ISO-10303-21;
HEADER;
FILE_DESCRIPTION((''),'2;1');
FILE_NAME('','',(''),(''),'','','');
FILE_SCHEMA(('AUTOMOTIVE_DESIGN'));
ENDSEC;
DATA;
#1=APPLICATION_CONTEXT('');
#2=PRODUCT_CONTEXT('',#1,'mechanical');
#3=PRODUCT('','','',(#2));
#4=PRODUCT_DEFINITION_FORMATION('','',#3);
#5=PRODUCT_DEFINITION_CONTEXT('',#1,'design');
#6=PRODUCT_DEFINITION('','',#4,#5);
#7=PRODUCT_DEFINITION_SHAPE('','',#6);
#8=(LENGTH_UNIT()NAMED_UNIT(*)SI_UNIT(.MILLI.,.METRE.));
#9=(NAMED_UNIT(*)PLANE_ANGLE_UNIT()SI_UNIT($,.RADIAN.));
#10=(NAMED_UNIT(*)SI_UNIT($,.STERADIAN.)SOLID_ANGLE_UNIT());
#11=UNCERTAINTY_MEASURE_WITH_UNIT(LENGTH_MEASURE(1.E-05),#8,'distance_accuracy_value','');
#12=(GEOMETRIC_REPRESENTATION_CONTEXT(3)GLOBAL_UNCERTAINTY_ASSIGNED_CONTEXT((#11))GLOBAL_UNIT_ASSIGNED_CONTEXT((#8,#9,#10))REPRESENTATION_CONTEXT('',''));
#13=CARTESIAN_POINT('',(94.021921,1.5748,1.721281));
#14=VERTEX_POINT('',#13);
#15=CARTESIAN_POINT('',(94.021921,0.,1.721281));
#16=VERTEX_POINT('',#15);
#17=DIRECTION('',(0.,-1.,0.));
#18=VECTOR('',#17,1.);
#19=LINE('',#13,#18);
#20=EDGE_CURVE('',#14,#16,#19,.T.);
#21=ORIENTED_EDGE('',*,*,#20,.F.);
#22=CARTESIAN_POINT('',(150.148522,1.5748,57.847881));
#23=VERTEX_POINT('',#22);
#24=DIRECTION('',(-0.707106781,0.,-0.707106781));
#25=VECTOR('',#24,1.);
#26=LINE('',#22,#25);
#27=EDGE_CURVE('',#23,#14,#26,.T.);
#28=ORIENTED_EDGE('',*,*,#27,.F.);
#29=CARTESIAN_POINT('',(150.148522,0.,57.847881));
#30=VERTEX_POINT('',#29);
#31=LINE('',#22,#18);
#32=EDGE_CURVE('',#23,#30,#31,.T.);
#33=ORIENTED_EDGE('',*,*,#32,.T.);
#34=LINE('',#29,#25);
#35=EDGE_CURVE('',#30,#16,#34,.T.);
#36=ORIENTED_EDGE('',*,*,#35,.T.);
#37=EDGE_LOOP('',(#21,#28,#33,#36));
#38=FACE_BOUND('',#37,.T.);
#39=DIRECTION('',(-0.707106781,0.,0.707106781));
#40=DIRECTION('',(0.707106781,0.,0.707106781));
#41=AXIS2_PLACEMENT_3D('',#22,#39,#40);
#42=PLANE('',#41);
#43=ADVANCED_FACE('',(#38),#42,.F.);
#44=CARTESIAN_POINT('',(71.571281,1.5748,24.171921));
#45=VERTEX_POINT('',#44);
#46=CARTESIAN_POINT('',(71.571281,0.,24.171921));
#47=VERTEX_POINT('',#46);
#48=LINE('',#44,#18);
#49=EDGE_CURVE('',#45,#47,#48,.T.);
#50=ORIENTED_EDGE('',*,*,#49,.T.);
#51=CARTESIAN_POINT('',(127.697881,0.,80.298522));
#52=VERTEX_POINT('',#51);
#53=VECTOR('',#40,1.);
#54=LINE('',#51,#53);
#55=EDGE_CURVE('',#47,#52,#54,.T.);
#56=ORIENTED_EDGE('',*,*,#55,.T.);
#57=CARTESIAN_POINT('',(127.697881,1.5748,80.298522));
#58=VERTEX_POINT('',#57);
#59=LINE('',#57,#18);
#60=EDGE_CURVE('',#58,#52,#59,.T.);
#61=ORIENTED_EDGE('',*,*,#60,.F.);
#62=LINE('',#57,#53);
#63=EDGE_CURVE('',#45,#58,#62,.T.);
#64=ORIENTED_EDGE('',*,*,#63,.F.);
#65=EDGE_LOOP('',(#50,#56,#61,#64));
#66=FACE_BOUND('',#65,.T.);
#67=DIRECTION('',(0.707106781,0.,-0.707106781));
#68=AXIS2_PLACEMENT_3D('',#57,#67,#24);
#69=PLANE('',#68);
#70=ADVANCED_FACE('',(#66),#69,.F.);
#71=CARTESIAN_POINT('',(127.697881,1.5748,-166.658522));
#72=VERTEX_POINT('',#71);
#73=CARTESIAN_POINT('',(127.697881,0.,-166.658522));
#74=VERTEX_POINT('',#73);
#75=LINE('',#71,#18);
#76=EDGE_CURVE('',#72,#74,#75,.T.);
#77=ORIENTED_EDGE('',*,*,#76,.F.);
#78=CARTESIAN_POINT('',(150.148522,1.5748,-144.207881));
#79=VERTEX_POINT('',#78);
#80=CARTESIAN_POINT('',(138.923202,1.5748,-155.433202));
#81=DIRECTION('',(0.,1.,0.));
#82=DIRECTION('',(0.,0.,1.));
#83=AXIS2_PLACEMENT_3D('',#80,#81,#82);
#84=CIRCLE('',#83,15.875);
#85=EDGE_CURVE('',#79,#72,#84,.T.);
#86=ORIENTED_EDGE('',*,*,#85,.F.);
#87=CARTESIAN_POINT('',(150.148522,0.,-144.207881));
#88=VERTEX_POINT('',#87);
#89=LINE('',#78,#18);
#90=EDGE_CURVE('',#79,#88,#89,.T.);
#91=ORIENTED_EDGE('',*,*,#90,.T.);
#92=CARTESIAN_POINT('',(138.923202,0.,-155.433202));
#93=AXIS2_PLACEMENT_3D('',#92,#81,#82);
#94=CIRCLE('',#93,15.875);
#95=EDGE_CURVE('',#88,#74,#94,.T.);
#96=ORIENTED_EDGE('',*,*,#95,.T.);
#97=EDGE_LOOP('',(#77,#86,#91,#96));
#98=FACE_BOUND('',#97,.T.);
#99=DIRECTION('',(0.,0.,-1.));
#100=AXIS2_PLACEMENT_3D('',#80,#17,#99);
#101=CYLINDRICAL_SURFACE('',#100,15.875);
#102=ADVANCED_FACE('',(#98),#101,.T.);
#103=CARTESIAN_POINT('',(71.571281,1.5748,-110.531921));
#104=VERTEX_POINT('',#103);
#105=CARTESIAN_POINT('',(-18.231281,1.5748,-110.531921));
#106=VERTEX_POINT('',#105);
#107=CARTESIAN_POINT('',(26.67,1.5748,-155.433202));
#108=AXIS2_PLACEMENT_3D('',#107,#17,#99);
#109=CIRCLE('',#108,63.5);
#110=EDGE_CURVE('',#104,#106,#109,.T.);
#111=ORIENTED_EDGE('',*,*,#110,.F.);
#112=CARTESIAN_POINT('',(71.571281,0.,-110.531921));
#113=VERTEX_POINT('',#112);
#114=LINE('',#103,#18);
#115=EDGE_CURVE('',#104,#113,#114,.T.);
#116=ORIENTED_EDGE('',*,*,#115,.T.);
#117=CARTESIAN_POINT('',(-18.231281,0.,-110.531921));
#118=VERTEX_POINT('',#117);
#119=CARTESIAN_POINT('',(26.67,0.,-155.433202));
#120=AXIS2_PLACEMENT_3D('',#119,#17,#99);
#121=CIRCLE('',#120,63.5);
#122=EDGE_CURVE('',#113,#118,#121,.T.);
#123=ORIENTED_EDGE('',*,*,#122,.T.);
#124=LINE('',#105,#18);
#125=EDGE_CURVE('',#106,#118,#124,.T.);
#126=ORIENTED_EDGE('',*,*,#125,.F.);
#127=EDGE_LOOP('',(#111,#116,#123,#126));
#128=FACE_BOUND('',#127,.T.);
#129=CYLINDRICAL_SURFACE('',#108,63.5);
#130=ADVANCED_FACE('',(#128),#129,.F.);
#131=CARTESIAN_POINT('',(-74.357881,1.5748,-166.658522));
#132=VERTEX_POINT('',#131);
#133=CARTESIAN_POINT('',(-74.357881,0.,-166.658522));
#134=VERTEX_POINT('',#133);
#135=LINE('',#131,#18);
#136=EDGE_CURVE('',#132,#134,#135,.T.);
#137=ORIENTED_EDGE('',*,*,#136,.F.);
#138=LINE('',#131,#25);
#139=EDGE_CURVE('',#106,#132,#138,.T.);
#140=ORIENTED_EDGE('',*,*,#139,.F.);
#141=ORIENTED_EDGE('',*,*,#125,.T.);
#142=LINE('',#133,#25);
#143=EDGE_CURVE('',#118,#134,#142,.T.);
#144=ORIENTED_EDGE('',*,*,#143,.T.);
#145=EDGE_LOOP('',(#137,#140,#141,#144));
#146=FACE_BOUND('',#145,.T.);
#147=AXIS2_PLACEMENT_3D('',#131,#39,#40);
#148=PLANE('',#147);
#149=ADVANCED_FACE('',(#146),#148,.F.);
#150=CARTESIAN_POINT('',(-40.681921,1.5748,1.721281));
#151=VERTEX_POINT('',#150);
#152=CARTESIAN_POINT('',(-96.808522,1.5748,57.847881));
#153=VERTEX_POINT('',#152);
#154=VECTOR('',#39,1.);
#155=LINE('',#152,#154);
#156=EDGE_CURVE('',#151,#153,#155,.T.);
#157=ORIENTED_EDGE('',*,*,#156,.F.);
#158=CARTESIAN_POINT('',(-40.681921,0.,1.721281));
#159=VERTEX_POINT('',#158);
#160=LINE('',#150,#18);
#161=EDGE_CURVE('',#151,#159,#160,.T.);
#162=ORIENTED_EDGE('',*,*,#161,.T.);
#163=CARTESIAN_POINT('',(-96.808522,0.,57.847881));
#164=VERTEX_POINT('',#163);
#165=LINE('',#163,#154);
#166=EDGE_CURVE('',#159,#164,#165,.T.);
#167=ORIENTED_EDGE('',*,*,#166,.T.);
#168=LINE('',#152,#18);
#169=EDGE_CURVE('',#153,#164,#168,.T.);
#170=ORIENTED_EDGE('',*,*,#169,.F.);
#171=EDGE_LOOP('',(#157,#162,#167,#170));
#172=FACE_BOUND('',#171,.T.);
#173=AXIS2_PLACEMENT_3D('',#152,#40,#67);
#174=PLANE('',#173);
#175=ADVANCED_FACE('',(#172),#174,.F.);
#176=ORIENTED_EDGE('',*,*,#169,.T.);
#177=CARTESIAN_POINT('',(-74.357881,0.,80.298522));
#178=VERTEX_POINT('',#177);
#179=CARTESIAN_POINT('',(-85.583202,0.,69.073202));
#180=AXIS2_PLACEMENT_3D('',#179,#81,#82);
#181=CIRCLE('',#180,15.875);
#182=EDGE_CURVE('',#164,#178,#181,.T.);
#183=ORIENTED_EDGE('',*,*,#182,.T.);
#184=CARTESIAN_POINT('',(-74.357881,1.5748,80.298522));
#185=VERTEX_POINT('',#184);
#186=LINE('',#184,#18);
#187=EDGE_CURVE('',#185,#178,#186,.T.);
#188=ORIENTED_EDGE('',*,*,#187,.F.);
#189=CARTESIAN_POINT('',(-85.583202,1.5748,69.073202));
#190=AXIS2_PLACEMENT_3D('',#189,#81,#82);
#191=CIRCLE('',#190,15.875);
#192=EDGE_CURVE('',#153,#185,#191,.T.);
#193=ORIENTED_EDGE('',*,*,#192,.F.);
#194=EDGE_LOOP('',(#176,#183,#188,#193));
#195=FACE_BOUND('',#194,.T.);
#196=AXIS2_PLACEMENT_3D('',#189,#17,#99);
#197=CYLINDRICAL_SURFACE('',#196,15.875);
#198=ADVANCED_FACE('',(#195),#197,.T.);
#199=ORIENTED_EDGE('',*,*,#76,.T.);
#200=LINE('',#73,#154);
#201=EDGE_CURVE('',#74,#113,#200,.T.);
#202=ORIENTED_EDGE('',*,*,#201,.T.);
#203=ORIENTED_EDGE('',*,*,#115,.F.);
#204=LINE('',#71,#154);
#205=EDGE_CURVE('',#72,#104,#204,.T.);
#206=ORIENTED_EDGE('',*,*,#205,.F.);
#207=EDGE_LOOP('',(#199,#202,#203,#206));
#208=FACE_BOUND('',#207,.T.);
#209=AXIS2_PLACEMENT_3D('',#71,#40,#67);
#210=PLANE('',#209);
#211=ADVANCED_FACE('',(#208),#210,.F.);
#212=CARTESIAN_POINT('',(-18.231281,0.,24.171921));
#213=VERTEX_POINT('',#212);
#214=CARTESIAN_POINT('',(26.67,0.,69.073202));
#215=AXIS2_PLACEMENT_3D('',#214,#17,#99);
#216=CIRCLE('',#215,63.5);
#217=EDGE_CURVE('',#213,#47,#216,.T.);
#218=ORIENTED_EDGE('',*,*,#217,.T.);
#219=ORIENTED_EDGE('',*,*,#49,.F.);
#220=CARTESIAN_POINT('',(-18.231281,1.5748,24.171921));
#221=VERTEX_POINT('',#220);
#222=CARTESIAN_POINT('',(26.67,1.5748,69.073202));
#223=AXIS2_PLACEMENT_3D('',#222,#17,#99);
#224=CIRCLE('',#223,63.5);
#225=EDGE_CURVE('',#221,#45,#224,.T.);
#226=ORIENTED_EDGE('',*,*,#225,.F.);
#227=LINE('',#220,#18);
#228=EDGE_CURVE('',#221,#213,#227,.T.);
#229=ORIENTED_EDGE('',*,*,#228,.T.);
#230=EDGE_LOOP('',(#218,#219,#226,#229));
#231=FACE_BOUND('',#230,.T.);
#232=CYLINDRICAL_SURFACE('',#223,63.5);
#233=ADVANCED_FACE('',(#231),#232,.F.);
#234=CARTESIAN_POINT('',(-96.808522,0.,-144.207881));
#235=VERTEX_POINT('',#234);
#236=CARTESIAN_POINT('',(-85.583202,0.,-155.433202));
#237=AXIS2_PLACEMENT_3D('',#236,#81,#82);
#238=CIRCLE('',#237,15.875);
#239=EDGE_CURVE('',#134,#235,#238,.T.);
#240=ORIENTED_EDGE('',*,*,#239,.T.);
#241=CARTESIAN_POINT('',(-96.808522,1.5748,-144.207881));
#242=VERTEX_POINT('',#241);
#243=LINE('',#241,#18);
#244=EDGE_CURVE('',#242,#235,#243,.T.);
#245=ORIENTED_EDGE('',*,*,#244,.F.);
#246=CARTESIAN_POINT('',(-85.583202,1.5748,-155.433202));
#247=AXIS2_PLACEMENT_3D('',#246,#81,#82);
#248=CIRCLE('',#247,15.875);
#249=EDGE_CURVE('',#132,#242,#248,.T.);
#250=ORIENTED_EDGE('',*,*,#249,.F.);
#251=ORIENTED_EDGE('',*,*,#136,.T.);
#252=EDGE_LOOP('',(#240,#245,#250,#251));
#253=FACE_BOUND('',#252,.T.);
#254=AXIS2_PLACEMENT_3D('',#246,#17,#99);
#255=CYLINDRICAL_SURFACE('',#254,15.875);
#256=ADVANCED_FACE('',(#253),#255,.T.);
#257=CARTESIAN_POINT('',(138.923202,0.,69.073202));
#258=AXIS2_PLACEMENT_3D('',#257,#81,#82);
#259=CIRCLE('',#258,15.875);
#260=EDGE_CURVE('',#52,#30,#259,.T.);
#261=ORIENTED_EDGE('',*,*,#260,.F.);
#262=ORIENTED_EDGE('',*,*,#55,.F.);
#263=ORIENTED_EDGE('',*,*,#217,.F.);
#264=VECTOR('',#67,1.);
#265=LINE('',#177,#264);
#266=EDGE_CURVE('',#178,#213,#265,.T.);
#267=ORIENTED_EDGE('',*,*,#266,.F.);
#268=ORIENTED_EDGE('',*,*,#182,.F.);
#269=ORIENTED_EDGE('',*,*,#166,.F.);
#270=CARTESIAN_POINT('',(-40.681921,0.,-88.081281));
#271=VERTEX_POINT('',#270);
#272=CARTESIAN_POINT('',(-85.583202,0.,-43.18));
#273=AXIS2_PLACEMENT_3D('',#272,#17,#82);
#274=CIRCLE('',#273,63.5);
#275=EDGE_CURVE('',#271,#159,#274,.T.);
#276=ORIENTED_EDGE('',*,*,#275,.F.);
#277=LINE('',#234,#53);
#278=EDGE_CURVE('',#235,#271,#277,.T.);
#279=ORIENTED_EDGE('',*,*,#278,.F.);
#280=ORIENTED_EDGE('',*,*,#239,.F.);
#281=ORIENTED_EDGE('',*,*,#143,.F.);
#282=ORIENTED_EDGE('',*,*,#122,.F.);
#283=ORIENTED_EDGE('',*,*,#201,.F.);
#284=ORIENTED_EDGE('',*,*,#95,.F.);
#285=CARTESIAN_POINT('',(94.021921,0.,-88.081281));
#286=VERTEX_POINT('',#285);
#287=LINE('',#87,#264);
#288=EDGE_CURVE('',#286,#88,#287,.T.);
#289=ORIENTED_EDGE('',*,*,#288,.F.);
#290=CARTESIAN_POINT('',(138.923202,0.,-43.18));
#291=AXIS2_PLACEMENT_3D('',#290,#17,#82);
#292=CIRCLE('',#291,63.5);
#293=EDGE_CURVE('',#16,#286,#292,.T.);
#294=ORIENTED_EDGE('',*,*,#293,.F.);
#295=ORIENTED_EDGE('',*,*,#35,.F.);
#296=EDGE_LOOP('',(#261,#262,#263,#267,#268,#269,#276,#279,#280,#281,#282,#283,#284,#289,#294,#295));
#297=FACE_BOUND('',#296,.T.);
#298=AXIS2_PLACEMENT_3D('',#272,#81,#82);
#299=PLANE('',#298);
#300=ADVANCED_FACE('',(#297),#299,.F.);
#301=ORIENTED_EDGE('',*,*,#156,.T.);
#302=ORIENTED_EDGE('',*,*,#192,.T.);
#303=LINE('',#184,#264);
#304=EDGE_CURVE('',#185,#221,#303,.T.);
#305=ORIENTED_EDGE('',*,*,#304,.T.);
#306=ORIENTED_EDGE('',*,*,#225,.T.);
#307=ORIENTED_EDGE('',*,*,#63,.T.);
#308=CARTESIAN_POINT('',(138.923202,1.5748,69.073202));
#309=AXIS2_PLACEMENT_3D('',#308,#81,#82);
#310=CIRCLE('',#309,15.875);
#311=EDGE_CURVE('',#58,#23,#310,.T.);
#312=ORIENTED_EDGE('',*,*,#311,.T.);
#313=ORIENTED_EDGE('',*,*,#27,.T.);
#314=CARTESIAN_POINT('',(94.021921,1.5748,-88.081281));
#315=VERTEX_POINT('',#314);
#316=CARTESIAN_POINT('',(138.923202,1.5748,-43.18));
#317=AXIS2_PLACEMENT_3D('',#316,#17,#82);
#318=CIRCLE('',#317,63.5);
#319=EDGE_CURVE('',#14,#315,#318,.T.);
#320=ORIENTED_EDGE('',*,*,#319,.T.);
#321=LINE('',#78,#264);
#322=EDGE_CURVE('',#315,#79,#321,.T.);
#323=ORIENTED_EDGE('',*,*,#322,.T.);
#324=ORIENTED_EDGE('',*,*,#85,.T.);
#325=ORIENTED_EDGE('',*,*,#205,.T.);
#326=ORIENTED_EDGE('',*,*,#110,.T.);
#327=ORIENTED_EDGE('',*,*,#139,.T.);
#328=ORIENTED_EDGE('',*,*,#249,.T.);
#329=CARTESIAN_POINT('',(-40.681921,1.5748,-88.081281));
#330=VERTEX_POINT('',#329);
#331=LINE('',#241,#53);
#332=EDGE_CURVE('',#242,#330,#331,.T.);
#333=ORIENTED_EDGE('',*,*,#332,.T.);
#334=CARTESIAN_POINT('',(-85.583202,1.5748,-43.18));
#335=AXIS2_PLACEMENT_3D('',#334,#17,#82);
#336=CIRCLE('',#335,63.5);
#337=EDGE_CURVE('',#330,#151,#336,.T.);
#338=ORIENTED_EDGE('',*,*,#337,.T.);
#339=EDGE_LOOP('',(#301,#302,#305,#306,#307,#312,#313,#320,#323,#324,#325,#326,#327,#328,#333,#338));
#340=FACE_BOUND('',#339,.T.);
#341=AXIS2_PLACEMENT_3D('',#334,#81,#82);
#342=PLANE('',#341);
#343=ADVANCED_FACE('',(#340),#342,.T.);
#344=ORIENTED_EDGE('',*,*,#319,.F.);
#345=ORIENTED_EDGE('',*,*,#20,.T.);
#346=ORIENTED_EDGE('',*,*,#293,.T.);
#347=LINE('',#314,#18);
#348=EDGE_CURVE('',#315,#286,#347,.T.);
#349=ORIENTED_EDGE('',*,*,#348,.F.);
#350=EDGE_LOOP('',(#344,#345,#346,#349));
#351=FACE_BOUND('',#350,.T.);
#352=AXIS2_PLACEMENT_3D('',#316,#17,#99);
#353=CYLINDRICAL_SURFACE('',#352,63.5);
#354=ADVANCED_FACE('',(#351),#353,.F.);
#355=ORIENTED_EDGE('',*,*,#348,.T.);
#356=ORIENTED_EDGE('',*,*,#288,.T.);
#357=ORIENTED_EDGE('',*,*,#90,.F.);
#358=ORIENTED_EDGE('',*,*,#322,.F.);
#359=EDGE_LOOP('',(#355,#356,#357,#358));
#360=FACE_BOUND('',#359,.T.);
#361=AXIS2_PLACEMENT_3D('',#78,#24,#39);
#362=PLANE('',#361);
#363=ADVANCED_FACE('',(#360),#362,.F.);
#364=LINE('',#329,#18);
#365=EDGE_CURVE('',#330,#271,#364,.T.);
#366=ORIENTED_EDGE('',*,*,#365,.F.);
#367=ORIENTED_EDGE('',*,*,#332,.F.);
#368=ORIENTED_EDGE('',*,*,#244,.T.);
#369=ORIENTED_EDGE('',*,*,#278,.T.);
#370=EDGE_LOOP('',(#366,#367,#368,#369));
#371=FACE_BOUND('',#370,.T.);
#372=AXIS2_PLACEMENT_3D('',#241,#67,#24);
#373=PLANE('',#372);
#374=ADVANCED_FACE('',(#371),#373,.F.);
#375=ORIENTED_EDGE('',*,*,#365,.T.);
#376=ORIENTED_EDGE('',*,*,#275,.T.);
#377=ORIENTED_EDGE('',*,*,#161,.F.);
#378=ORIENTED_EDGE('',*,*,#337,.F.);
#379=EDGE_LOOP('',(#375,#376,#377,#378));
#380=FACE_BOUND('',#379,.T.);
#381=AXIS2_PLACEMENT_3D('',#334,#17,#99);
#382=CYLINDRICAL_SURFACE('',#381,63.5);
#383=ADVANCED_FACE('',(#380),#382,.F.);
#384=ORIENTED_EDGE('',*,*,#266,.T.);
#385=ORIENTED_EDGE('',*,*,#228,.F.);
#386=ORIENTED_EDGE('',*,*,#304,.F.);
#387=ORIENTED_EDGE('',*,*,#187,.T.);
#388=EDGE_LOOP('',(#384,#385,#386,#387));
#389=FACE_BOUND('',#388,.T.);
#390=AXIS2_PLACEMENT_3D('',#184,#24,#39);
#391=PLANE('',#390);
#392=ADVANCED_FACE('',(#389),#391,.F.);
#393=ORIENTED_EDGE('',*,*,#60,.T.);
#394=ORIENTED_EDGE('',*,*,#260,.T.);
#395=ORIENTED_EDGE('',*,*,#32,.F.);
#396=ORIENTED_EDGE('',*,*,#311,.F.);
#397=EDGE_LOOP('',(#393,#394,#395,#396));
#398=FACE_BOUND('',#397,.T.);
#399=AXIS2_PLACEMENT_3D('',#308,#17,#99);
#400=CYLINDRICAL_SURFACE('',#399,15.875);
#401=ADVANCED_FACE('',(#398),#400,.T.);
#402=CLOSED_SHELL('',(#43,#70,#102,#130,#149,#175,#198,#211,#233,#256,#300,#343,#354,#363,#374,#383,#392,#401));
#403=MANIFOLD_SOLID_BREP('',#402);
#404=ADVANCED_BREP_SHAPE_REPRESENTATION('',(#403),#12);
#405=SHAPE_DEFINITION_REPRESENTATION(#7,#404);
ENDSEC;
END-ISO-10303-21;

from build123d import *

# Parameters (mm, degrees)
BOSS_EXTRUDE1_DEPTH = 1.5748


with BuildPart() as part:
    # Sketch1 → Boss-Extrude1 (new body)
    with BuildSketch(Plane(origin=(0, 0, 0), x_dir=(1, 0, 0), z_dir=(0, 1, 0))):
        with BuildLine():
            Line((-96.808521665, 144.207881362), (-40.681920908, 88.081280605))
            ThreePointArc((-40.681920908, 88.081280605), (-22.083201513, 43.18), (-40.681920908, -1.721280605))
            Line((-40.681920908, -1.721280605), (-96.808521665, -57.847881362))
            ThreePointArc((-96.808521665, -57.847881362), (-96.808521665, -80.298521665), (-74.357881362, -80.298521665))
            Line((-74.357881362, -80.298521665), (-18.231280605, -24.171920908))
            ThreePointArc((-18.231280605, -24.171920908), (26.67, -5.573201513), (71.571280605, -24.171920908))
            Line((71.571280605, -24.171920908), (127.697881362, -80.298521665))
            ThreePointArc((127.697881362, -80.298521665), (150.148521665, -80.298521665), (150.148521665, -57.847881362))
            Line((150.148521665, -57.847881362), (94.021920908, -1.721280605))
            ThreePointArc((94.021920908, -1.721280605), (75.423201513, 43.18), (94.021920908, 88.081280605))
            Line((94.021920908, 88.081280605), (150.148521665, 144.207881362))
            ThreePointArc((150.148521665, 144.207881362), (150.148521665, 166.658521665), (127.697881362, 166.658521665))
            Line((127.697881362, 166.658521665), (71.571280605, 110.531920908))
            ThreePointArc((71.571280605, 110.531920908), (26.67, 91.933201513), (-18.231280605, 110.531920908))
            Line((-18.231280605, 110.531920908), (-74.357881362, 166.658521665))
            ThreePointArc((-74.357881362, 166.658521665), (-96.808521665, 166.658521665), (-96.808521665, 144.207881362))
        make_face()
    extrude(amount=BOSS_EXTRUDE1_DEPTH)


solid = part.part
